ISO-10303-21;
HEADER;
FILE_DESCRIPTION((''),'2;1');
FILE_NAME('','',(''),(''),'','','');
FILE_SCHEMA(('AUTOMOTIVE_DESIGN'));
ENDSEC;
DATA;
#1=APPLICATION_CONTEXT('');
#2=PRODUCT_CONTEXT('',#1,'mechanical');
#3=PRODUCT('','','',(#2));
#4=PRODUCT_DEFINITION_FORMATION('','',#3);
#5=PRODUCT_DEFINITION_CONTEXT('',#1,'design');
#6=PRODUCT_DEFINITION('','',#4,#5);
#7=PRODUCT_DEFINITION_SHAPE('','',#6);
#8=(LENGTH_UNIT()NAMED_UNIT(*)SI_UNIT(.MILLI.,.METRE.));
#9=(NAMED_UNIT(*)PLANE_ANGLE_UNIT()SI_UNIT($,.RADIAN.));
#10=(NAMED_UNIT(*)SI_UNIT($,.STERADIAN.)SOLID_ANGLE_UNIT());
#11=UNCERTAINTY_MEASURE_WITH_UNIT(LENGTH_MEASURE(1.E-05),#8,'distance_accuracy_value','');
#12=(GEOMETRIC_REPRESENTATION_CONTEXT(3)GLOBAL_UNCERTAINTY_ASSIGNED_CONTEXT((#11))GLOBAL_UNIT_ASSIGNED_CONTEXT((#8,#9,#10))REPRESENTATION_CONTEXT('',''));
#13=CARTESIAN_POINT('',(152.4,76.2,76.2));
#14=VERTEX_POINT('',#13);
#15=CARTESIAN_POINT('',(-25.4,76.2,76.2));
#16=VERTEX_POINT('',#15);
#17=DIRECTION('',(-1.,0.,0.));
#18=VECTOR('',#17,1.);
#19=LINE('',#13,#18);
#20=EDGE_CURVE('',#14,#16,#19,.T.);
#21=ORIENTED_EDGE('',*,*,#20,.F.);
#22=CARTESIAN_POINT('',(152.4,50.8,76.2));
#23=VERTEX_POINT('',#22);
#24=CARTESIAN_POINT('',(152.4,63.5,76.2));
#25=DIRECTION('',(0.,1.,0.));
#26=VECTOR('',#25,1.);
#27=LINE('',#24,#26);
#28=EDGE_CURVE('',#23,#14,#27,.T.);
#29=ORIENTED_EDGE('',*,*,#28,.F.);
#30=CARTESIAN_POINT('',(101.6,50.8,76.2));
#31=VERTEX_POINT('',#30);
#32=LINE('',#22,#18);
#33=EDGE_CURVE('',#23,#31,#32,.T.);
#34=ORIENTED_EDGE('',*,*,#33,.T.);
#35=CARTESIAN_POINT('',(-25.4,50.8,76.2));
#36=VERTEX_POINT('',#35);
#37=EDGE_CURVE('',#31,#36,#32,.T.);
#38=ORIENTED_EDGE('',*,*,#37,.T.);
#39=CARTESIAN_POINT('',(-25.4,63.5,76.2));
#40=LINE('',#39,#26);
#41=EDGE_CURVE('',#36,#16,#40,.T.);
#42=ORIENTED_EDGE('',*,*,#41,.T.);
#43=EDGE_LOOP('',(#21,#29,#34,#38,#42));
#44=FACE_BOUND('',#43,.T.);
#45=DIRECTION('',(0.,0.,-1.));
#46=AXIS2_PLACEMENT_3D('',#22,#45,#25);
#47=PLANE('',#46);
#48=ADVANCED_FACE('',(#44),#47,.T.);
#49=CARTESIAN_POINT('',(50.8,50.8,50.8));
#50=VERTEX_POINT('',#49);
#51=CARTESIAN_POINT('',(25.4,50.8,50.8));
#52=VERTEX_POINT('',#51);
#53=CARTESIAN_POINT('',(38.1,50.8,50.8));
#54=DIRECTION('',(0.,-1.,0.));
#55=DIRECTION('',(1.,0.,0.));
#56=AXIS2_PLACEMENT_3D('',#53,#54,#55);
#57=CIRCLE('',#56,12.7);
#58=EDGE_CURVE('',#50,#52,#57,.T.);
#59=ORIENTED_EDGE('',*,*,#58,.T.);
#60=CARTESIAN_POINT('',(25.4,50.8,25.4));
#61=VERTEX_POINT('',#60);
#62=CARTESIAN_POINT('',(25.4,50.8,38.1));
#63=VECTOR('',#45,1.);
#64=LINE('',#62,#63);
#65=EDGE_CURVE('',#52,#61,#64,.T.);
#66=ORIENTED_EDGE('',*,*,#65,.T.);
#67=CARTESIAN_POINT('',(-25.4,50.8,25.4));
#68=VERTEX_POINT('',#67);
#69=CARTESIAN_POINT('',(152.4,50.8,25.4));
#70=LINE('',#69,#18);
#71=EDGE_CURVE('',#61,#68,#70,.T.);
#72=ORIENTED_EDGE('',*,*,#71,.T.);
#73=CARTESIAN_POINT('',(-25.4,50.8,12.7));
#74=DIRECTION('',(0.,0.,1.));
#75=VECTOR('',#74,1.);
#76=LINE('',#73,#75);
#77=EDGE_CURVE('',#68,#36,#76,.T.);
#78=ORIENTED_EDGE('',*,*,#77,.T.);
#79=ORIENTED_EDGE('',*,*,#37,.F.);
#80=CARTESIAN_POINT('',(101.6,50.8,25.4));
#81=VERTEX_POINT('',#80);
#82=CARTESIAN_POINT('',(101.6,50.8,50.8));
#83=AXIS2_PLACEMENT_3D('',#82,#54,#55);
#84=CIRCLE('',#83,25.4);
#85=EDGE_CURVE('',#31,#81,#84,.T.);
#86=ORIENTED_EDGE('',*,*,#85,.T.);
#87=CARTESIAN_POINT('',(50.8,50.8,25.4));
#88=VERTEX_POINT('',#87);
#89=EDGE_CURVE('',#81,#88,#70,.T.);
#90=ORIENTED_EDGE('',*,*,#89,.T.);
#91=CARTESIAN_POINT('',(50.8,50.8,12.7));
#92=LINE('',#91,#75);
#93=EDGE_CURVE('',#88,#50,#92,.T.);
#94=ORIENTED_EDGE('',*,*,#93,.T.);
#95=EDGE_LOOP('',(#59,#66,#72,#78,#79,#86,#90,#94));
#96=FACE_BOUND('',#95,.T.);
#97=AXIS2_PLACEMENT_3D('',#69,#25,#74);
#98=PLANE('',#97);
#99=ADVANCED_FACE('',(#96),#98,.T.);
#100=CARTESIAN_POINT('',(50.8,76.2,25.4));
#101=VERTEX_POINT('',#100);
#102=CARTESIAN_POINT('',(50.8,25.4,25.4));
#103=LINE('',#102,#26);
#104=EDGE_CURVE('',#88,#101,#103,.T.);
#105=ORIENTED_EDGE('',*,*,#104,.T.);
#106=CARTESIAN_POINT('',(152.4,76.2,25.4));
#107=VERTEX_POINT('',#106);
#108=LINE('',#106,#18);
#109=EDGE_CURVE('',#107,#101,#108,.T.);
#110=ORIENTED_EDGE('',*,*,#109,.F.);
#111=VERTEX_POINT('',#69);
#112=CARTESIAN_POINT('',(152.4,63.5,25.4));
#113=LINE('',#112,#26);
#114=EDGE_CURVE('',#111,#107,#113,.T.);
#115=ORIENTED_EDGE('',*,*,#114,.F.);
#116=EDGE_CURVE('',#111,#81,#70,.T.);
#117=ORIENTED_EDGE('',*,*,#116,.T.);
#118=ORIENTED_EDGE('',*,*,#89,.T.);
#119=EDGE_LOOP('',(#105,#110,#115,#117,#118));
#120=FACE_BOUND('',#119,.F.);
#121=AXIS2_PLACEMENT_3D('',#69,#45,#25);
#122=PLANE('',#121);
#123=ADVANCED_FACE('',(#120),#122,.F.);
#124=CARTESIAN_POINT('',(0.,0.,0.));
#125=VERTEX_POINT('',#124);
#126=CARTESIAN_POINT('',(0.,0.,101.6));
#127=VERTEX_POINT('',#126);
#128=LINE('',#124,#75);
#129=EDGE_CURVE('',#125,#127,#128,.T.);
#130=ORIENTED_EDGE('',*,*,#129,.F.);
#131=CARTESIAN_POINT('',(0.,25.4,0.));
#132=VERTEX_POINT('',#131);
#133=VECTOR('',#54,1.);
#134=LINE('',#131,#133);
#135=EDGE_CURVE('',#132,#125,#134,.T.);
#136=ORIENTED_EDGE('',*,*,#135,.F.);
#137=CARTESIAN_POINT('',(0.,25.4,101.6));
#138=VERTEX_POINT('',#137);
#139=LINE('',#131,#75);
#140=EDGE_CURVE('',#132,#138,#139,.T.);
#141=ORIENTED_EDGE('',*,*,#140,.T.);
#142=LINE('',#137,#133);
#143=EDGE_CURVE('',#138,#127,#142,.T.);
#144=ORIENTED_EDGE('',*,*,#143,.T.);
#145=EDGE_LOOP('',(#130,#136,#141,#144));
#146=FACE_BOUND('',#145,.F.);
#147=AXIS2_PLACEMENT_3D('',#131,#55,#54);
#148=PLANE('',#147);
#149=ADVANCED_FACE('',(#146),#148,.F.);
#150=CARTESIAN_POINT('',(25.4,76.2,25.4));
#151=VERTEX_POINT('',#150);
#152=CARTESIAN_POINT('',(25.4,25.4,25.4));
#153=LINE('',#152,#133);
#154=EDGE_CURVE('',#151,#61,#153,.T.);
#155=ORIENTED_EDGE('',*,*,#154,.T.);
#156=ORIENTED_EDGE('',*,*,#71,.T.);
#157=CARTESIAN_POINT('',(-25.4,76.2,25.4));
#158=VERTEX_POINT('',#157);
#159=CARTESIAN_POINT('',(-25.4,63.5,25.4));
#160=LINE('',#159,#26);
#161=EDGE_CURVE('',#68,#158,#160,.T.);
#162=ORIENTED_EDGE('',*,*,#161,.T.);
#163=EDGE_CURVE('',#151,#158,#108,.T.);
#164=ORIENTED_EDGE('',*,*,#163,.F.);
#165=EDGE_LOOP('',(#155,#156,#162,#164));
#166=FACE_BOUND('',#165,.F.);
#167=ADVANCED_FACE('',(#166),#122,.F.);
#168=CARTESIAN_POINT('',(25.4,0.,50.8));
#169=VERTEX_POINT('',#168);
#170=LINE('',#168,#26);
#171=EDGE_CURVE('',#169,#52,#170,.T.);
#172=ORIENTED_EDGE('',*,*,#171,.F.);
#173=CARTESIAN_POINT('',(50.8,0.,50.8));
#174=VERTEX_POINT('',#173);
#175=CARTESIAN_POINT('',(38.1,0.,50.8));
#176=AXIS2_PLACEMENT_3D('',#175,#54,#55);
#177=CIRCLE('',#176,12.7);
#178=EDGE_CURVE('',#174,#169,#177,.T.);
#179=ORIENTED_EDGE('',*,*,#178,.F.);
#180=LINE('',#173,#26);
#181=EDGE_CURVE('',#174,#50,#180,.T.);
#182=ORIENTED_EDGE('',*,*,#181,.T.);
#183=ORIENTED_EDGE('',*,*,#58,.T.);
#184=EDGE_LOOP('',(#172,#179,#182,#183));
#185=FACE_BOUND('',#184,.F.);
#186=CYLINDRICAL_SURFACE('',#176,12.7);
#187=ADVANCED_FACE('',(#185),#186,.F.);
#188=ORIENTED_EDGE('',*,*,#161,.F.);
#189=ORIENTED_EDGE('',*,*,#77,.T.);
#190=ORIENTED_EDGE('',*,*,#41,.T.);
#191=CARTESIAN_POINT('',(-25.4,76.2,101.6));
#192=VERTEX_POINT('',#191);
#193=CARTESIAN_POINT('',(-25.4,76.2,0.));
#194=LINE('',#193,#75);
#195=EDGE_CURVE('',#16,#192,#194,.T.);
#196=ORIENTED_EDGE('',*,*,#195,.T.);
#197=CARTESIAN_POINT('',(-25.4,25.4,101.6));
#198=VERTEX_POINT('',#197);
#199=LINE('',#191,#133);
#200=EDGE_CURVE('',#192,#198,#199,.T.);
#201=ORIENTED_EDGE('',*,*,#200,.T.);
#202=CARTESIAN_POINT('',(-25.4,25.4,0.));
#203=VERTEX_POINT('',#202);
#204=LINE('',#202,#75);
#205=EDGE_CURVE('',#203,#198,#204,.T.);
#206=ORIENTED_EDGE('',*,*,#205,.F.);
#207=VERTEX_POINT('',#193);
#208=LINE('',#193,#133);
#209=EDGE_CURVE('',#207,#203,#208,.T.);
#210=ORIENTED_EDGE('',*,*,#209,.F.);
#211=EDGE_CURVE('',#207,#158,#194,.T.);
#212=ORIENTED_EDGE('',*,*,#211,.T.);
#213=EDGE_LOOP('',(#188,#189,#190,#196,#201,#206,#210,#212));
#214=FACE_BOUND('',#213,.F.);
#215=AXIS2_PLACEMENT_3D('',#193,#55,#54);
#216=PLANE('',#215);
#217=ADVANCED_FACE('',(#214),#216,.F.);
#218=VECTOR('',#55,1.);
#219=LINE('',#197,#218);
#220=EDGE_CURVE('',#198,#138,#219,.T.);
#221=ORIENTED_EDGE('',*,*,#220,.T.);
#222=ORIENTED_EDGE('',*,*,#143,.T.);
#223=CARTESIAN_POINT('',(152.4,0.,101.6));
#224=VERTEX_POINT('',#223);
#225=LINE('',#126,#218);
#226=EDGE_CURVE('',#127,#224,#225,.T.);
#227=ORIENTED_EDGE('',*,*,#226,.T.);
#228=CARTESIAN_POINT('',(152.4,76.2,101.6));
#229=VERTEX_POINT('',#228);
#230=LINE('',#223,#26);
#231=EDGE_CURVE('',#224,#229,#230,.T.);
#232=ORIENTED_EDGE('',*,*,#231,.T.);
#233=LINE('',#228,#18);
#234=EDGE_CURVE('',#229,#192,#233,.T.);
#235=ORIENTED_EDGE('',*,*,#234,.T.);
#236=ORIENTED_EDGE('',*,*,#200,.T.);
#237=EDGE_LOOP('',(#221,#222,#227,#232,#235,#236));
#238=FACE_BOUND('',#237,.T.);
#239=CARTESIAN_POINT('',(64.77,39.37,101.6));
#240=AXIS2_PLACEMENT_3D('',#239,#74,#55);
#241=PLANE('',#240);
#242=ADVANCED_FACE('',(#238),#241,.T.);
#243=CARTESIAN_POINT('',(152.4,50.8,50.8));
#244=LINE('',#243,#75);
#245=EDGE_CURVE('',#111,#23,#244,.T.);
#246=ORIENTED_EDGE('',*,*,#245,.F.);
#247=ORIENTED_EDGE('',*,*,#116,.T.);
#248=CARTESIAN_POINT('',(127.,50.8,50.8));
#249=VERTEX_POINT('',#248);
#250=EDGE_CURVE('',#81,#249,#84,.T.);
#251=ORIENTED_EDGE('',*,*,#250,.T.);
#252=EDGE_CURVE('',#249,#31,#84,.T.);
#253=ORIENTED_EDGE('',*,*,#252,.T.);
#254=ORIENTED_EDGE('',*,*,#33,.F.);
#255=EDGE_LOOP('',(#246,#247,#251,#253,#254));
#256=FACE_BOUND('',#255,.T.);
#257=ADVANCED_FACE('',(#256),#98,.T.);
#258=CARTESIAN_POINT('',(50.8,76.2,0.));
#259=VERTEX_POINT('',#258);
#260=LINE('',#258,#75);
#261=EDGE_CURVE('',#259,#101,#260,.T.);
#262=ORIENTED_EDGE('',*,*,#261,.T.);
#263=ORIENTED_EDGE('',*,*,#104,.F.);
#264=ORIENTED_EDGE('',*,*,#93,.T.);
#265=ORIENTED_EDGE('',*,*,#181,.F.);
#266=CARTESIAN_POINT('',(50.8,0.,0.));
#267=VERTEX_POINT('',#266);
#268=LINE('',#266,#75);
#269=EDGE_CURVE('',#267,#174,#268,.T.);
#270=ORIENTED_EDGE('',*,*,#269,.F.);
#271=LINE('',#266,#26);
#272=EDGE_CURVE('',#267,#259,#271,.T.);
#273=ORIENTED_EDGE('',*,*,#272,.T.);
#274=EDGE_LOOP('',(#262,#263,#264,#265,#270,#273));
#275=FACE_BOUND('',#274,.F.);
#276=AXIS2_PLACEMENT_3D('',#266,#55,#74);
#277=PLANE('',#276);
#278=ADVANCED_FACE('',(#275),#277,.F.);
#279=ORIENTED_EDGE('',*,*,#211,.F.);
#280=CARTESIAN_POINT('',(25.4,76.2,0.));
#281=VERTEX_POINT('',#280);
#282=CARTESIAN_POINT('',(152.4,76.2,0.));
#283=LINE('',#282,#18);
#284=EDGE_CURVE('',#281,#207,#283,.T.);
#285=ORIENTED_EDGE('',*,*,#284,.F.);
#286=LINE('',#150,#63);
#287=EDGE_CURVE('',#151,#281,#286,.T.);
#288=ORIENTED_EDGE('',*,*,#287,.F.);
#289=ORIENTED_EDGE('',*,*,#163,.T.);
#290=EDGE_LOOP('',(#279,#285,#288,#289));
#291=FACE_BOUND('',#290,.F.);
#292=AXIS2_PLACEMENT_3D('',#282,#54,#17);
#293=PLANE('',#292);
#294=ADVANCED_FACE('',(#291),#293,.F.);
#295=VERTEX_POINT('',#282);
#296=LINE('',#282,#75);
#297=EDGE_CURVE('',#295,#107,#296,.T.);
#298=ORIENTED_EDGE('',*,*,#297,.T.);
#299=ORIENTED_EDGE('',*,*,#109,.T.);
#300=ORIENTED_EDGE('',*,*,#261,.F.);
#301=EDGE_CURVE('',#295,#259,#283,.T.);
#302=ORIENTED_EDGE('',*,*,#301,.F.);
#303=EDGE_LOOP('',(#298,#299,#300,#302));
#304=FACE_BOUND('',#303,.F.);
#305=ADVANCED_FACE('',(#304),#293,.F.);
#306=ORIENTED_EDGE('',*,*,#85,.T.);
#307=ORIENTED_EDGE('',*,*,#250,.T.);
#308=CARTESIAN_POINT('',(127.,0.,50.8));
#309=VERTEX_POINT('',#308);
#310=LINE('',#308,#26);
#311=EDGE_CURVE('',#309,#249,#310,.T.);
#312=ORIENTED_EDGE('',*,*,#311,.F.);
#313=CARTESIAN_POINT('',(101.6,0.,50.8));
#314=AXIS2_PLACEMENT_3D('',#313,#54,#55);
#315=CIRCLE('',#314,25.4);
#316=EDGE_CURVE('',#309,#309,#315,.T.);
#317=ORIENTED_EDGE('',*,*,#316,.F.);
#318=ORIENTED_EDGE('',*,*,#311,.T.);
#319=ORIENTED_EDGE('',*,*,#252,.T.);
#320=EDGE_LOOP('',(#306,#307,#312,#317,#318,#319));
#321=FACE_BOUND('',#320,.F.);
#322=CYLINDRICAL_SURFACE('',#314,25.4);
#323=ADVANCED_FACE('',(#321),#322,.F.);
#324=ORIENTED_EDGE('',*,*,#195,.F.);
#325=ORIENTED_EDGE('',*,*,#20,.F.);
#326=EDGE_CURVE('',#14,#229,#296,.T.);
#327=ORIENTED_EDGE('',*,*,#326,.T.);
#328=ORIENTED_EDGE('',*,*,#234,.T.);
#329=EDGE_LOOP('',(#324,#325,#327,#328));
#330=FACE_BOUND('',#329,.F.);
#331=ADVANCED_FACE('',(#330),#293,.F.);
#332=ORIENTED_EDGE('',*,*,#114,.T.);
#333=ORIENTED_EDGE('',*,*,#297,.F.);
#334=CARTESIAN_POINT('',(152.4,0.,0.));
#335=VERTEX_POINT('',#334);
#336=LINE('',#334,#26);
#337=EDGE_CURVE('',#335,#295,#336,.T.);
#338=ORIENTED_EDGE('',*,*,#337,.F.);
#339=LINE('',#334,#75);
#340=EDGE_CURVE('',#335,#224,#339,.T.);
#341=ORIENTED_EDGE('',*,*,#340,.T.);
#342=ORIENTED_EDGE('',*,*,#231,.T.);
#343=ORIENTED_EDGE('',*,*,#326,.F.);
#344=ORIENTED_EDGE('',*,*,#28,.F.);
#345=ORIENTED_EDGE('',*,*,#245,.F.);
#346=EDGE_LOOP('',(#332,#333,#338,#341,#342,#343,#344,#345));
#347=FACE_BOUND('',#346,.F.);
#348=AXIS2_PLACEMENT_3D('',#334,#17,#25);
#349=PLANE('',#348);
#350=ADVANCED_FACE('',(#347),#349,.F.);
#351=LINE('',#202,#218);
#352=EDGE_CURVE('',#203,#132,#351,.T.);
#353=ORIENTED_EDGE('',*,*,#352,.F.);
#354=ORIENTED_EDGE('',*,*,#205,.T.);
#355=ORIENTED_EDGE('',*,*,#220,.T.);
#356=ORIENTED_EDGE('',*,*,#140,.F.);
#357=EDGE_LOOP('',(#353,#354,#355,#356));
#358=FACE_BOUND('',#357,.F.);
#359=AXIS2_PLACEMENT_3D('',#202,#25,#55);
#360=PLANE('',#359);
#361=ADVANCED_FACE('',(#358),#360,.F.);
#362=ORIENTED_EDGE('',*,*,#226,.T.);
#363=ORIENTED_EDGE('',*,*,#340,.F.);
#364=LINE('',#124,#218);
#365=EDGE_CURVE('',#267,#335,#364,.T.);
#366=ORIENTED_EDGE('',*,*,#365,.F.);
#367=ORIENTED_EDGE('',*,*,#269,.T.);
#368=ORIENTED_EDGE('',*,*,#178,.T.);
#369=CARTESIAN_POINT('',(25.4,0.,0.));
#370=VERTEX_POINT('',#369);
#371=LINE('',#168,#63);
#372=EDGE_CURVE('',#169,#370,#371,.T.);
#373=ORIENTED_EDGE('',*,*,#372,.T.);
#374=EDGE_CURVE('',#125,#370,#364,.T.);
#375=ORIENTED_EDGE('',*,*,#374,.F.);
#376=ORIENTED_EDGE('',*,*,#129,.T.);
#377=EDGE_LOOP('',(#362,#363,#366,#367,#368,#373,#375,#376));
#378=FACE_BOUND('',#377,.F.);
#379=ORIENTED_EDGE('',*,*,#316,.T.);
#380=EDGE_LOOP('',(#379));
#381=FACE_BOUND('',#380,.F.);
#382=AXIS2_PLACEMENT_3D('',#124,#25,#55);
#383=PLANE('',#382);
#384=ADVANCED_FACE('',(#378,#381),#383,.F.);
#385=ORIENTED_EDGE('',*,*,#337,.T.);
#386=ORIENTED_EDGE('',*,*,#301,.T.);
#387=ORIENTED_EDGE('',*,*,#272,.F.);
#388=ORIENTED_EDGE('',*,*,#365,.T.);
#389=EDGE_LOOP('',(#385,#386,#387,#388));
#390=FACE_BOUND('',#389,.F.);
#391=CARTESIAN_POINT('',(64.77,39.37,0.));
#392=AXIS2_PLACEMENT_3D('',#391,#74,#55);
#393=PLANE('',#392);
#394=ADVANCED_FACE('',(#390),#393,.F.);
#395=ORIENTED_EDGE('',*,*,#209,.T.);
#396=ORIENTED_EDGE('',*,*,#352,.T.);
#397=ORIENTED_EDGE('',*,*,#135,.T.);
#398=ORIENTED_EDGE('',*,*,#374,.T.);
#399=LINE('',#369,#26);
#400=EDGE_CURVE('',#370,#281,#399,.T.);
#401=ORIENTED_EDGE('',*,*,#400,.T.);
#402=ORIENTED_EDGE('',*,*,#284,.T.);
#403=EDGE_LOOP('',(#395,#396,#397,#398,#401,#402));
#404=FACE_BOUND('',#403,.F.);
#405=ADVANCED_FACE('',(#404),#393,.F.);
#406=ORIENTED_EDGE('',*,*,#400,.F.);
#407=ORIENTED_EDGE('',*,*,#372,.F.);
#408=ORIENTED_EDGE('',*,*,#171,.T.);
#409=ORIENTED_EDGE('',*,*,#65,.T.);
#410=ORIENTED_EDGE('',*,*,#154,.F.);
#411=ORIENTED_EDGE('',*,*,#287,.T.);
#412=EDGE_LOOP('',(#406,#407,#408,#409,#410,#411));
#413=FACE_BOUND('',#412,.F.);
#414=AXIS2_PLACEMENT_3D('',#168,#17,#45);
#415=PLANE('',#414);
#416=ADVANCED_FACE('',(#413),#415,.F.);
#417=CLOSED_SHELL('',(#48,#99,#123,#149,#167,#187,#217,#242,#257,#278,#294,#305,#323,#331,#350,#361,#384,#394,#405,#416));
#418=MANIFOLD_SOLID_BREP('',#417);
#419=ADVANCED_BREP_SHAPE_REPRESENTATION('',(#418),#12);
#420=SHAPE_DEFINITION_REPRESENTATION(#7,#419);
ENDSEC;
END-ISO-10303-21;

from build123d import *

# Parameters (mm, degrees)
F1_DEPTH = 101.6
F2_R     = 25.4
F3_DEPTH = 76.201
F4_W     = 25.4
F4_H     = 50.8
F5_DEPTH = 177.801


with BuildPart() as f1:
    # F0 (on Top) → F1 (new body)
    with BuildSketch(Plane.XY):
        Polygon((0, 25.4), (0, 0), (152.4, 0), (152.4, 76.2), (-25.4, 76.2), (-25.4, 25.4), align=None)
    extrude(amount=F1_DEPTH)

    # F2 (on face) → F3 (cut, through all)
    with BuildSketch(Plane.XZ):
        with BuildLine():
            Line((25.4, 50.8), (25.4, 0))
            Line((25.4, 0), (50.8, 0))
            Line((50.8, 0), (50.8, 50.8))
            ThreePointArc((50.8, 50.8), (38.1, 63.5), (25.4, 50.8))
        make_face()
        with Locations((101.6, 50.8)):
            Circle(F2_R)
    extrude(amount=-F3_DEPTH, mode=Mode.SUBTRACT)

    # F4 (on face) → F5 (cut, through all)
    with BuildSketch(Plane.YZ.offset(152.4)):
        with Locations((63.5, 50.8)):
            Rectangle(F4_W, F4_H)
    extrude(amount=-F5_DEPTH, mode=Mode.SUBTRACT)


solid = f1.part
